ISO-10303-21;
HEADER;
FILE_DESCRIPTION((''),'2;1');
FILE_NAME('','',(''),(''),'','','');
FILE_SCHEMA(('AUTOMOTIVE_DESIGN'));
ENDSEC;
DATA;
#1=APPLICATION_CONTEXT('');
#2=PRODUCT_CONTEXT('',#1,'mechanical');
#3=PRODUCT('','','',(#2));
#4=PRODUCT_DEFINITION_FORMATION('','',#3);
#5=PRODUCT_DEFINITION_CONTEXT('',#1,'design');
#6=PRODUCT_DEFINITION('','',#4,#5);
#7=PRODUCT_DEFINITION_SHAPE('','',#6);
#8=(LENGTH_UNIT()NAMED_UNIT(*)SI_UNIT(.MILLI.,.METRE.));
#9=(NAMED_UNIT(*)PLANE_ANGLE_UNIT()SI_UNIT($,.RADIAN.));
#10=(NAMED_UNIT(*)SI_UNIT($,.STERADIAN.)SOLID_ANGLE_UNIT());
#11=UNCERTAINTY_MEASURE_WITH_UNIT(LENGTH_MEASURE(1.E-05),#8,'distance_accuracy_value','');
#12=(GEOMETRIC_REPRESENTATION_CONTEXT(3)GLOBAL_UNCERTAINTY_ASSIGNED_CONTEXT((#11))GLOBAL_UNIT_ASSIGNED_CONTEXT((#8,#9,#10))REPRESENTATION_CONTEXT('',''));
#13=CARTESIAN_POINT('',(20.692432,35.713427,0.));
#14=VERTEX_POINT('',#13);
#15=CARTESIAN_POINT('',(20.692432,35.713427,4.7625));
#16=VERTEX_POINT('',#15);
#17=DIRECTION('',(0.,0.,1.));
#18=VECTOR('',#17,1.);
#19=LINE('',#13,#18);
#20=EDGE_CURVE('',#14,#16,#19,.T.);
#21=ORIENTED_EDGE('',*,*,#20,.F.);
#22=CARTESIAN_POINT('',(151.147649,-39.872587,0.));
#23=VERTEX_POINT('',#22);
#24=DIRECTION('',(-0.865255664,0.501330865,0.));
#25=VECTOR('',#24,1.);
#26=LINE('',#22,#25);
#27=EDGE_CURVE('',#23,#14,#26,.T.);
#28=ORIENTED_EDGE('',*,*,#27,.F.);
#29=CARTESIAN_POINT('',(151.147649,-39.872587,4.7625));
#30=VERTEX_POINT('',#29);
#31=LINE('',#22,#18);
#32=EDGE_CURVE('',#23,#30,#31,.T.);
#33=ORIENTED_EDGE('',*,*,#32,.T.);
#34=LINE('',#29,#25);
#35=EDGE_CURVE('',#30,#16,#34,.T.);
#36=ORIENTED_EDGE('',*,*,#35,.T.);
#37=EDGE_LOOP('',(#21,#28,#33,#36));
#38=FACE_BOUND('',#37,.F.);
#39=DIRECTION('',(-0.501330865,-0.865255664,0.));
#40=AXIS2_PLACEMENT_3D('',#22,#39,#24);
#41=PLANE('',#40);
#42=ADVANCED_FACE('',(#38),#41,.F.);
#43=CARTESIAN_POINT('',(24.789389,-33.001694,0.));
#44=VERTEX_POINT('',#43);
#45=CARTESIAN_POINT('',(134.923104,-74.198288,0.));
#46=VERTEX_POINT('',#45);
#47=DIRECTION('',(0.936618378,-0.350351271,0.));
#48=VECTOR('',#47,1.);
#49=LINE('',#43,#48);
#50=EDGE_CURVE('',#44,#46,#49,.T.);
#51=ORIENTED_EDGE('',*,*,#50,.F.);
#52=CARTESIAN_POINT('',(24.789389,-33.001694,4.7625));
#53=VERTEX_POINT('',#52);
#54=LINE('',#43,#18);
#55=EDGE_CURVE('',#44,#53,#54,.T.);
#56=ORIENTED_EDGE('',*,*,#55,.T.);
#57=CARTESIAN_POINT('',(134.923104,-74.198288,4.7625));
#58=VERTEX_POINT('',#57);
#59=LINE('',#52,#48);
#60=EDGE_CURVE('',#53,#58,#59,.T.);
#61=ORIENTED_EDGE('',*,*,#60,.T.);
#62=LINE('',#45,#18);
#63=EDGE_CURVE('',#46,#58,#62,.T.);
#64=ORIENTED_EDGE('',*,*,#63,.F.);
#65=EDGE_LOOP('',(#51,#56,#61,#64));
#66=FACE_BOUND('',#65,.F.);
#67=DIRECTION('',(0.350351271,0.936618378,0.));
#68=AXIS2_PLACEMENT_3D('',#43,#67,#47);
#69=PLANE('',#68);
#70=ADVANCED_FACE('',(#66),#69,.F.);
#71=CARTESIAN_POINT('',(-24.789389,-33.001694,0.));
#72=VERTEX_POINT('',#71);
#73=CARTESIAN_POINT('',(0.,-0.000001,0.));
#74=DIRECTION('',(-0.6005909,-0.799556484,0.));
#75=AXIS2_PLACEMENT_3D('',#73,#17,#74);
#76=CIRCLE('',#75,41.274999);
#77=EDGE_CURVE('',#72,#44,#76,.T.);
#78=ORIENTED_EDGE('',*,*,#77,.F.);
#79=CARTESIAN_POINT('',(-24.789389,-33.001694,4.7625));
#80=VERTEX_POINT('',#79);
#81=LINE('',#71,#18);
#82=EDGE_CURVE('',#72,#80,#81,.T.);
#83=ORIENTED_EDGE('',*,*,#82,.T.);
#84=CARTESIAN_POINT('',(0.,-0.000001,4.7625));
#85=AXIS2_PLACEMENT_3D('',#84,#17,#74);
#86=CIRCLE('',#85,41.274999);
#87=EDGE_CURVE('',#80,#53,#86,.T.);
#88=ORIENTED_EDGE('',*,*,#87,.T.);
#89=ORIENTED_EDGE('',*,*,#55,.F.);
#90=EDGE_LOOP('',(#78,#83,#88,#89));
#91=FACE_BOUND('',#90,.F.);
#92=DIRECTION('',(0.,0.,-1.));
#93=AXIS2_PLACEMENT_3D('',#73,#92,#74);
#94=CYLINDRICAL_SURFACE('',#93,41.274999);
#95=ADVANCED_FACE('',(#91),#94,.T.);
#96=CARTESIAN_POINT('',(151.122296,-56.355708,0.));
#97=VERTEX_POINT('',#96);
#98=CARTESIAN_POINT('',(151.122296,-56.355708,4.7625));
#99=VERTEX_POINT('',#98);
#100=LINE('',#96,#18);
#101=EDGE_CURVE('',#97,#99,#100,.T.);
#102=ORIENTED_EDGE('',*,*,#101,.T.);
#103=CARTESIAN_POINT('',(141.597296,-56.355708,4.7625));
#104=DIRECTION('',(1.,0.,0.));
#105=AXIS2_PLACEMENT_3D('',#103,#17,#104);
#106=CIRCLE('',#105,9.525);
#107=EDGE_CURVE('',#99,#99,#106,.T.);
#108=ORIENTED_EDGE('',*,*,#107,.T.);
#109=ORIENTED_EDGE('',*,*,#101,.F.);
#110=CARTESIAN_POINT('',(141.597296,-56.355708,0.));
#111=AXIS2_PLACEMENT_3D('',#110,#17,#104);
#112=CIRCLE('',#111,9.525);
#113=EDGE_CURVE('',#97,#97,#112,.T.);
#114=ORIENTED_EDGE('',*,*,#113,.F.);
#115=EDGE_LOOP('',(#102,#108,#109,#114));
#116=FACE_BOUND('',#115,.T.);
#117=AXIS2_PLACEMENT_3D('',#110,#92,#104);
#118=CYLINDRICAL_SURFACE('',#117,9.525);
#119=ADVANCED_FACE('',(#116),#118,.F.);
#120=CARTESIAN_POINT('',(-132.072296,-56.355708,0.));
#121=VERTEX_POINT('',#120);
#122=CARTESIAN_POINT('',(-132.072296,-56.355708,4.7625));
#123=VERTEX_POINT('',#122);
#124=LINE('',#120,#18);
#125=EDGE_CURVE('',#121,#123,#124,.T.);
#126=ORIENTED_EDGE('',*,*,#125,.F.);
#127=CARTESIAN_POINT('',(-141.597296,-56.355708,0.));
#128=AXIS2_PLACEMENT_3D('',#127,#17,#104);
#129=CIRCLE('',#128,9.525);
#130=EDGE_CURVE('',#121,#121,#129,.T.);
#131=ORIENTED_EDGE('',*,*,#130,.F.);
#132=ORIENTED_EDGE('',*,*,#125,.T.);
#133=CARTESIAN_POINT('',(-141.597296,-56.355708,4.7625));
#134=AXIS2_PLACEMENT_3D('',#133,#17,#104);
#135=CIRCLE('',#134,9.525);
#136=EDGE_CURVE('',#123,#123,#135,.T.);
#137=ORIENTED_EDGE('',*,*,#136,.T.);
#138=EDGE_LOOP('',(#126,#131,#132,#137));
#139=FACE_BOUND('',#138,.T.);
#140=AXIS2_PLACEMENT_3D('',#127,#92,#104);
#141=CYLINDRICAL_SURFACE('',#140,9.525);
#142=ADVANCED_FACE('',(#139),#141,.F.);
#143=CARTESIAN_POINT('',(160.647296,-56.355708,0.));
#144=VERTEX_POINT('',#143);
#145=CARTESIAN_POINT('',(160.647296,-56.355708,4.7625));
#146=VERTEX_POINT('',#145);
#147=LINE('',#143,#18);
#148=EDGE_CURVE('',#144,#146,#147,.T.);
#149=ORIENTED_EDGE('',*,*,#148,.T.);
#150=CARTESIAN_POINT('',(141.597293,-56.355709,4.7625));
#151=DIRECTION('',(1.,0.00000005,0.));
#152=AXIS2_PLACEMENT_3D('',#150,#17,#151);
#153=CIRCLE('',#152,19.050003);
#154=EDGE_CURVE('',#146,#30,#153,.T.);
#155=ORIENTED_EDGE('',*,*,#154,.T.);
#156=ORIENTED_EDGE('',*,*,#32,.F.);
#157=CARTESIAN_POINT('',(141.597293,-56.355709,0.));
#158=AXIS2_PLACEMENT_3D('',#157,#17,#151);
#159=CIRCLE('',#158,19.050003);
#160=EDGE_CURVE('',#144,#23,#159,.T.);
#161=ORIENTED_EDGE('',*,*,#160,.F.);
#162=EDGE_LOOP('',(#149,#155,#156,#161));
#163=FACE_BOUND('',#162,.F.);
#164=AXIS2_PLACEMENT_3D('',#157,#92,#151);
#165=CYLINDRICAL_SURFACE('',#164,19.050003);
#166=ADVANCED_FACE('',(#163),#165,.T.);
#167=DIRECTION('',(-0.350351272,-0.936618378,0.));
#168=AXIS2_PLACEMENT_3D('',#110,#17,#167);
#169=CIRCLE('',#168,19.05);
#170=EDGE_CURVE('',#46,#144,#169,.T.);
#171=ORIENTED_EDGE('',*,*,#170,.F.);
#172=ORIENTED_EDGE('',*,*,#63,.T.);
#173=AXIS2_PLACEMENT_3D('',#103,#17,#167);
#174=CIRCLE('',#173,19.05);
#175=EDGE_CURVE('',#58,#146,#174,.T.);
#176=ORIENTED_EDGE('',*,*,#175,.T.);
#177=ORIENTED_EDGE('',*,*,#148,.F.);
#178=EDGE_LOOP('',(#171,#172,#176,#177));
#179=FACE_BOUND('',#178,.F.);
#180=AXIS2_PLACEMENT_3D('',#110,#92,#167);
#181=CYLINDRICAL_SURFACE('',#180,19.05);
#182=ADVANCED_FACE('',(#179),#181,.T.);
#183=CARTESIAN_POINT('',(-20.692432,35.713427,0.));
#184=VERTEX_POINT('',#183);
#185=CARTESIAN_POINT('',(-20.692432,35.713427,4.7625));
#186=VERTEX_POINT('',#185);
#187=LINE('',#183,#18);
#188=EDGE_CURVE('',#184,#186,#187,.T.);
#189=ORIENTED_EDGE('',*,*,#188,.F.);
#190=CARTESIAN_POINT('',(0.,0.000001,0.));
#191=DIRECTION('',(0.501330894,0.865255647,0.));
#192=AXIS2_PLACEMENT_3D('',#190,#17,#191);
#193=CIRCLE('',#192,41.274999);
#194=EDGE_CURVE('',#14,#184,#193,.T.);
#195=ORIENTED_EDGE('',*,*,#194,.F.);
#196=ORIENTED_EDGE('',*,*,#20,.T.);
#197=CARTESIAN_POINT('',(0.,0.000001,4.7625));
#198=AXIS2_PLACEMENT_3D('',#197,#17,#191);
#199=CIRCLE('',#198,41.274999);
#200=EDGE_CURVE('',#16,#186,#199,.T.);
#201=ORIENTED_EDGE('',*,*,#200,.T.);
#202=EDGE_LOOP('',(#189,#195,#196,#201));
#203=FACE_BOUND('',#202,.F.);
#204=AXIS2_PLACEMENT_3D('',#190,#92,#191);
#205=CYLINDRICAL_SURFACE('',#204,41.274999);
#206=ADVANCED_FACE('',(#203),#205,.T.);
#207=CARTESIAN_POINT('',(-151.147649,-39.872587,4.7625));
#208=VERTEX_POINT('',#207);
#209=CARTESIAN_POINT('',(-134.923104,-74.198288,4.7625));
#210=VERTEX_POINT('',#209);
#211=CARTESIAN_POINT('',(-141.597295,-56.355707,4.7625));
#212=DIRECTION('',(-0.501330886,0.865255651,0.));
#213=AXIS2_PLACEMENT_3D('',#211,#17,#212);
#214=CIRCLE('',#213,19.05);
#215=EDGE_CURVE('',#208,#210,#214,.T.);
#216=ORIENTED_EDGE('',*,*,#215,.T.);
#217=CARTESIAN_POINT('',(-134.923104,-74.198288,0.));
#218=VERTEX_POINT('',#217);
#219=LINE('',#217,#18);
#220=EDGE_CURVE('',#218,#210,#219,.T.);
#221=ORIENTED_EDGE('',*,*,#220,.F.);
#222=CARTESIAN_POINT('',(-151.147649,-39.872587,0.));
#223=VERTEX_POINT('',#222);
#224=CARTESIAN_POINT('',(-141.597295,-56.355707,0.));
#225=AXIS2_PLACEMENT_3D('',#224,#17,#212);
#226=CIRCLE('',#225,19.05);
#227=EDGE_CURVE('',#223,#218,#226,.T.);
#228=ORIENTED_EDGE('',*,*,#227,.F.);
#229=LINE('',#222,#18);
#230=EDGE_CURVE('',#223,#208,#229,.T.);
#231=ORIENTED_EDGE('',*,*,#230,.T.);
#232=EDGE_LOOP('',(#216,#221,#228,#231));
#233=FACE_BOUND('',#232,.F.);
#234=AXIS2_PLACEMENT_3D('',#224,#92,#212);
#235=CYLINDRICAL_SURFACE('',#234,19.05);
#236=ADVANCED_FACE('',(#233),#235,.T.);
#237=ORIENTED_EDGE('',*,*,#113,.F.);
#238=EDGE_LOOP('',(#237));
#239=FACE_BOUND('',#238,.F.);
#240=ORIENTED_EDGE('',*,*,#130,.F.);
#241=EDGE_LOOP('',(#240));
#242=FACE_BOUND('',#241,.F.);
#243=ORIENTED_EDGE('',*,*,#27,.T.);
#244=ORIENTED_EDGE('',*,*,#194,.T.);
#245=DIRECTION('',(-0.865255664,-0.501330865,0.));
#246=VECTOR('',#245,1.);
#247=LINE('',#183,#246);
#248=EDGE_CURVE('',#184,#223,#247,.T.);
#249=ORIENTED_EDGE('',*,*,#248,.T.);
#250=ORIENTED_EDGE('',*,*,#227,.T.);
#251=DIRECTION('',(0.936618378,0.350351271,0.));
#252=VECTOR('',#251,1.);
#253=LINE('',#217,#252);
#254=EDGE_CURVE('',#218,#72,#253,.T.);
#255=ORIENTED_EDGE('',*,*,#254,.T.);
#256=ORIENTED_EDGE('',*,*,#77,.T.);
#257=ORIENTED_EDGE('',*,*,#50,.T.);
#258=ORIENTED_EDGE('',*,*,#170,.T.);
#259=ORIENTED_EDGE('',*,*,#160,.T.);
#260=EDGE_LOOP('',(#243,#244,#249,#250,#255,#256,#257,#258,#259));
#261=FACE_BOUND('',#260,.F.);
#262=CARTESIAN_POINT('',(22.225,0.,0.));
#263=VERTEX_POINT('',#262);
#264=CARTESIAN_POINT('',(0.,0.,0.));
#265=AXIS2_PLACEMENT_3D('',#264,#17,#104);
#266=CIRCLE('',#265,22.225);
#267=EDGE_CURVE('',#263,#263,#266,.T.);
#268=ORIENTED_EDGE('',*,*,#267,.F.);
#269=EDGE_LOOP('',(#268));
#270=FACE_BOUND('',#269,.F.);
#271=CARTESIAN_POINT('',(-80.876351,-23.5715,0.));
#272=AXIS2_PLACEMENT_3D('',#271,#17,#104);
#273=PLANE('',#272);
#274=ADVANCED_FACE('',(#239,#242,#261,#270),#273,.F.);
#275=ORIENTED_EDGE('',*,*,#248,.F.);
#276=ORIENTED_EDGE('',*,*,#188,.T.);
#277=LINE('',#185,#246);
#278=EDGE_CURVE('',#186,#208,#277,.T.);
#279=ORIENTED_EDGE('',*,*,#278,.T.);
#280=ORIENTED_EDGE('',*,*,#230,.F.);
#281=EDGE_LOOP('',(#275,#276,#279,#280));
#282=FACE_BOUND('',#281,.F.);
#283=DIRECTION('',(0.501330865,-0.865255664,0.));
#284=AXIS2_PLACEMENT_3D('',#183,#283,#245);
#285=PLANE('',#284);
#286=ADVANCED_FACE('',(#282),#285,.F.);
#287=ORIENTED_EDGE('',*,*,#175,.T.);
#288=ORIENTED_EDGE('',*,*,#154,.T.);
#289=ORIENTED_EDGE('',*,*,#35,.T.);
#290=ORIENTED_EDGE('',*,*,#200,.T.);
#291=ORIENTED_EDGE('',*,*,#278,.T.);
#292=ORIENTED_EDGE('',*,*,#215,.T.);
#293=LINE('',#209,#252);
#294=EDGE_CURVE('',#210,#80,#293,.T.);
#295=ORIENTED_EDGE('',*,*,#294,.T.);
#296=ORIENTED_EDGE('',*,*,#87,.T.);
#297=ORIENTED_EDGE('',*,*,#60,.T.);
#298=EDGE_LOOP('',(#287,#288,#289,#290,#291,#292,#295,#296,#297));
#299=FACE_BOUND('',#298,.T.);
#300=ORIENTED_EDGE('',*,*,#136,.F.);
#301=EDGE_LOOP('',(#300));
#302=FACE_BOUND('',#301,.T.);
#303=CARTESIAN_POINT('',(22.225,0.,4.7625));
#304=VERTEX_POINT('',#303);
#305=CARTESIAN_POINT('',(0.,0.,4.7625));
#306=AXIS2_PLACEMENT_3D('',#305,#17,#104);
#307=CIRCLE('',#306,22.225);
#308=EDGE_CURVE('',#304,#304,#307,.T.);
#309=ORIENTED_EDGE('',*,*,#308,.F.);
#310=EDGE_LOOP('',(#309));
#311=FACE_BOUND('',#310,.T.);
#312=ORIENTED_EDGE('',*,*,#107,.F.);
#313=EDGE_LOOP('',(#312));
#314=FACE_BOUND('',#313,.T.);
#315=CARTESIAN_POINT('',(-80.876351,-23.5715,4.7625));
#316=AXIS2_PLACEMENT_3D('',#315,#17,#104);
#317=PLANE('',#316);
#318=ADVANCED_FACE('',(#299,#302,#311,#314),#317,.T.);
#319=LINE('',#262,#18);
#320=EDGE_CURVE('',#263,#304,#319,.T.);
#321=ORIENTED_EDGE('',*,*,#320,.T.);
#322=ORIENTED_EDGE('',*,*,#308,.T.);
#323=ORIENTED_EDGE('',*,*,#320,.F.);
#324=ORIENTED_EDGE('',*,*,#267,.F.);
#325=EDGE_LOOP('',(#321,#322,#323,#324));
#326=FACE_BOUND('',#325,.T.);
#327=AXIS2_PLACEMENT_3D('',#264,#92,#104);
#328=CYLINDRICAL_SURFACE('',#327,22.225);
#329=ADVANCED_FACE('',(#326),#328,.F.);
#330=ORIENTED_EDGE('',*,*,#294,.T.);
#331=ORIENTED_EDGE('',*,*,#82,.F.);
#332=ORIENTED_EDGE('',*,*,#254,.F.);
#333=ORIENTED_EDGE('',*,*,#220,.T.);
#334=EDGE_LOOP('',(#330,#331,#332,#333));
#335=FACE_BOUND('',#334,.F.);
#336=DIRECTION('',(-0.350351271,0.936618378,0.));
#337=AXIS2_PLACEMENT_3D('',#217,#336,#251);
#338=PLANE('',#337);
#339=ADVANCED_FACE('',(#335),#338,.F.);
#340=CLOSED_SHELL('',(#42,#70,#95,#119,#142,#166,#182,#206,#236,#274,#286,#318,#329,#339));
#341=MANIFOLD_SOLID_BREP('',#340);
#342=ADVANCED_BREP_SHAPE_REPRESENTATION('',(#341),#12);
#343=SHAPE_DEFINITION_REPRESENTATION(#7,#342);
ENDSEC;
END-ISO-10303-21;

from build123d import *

# Parameters (mm, degrees)
F0_R     = 22.225
F0_R_2   = 9.525
F1_DEPTH = 4.7625


with BuildPart() as f1:
    # F0 (on Top) → F1 (new body)
    with BuildSketch(Plane.XY):
        with BuildLine():
            ThreePointArc((-24.789389, -33.001694), (-41.201832, 2.45655), (-20.692432, 35.713427))
            Line((-20.692432, 35.713427), (-151.147649, -39.872587))
            ThreePointArc((-151.147649, -39.872587), (-132.084981, -39.850607), (-122.547296, -56.355708))
            ThreePointArc((-122.547296, -56.355708), (-125.944088, -67.212944), (-134.923104, -74.198288))
            Line((-134.923104, -74.198288), (-24.789389, -33.001694))
        make_face()
        with BuildLine():
            ThreePointArc((24.789389, -33.001694), (36.924298, -18.445102), (41.275, 0))
            ThreePointArc((41.275, 0), (35.761052, 20.610016), (20.692432, 35.713427))
            ThreePointArc((20.692432, 35.713427), (0, 41.275), (-20.692432, 35.713427))
            ThreePointArc((-20.692432, 35.713427), (-41.201832, 2.45655), (-24.789389, -33.001694))
            ThreePointArc((-24.789389, -33.001694), (0, -41.275), (24.789389, -33.001694))
        make_face()
        Circle(F0_R, mode=Mode.SUBTRACT)
        with BuildLine():
            ThreePointArc((20.692432, 35.713427), (35.761052, 20.610016), (41.275, 0))
            ThreePointArc((41.275, 0), (36.924298, -18.445102), (24.789389, -33.001694))
            Line((24.789389, -33.001694), (134.923104, -74.198288))
            ThreePointArc((134.923104, -74.198288), (124.374302, -48.215008), (151.147649, -39.872587))
            Line((151.147649, -39.872587), (20.692432, 35.713427))
        make_face()
        with BuildLine():
            ThreePointArc((-122.547296, -56.355708), (-132.084981, -39.850607), (-151.147649, -39.872587))
            ThreePointArc((-151.147649, -39.872587), (-158.820289, -64.496408), (-134.923104, -74.198288))
            ThreePointArc((-134.923104, -74.198288), (-125.944088, -67.212944), (-122.547296, -56.355708))
        make_face()
        with Locations((-141.597296, -56.355708)):
            Circle(F0_R_2, mode=Mode.SUBTRACT)
        with BuildLine():
            ThreePointArc((160.647296, -56.355708), (158.102397, -46.843393), (151.147649, -39.872587))
            ThreePointArc((151.147649, -39.872587), (124.374302, -48.215008), (134.923104, -74.198288))
            ThreePointArc((134.923104, -74.198288), (152.454532, -72.008916), (160.647296, -56.355708))
        make_face()
        with Locations((141.597296, -56.355708)):
            Circle(F0_R_2, mode=Mode.SUBTRACT)
    extrude(amount=F1_DEPTH)


solid = f1.part
